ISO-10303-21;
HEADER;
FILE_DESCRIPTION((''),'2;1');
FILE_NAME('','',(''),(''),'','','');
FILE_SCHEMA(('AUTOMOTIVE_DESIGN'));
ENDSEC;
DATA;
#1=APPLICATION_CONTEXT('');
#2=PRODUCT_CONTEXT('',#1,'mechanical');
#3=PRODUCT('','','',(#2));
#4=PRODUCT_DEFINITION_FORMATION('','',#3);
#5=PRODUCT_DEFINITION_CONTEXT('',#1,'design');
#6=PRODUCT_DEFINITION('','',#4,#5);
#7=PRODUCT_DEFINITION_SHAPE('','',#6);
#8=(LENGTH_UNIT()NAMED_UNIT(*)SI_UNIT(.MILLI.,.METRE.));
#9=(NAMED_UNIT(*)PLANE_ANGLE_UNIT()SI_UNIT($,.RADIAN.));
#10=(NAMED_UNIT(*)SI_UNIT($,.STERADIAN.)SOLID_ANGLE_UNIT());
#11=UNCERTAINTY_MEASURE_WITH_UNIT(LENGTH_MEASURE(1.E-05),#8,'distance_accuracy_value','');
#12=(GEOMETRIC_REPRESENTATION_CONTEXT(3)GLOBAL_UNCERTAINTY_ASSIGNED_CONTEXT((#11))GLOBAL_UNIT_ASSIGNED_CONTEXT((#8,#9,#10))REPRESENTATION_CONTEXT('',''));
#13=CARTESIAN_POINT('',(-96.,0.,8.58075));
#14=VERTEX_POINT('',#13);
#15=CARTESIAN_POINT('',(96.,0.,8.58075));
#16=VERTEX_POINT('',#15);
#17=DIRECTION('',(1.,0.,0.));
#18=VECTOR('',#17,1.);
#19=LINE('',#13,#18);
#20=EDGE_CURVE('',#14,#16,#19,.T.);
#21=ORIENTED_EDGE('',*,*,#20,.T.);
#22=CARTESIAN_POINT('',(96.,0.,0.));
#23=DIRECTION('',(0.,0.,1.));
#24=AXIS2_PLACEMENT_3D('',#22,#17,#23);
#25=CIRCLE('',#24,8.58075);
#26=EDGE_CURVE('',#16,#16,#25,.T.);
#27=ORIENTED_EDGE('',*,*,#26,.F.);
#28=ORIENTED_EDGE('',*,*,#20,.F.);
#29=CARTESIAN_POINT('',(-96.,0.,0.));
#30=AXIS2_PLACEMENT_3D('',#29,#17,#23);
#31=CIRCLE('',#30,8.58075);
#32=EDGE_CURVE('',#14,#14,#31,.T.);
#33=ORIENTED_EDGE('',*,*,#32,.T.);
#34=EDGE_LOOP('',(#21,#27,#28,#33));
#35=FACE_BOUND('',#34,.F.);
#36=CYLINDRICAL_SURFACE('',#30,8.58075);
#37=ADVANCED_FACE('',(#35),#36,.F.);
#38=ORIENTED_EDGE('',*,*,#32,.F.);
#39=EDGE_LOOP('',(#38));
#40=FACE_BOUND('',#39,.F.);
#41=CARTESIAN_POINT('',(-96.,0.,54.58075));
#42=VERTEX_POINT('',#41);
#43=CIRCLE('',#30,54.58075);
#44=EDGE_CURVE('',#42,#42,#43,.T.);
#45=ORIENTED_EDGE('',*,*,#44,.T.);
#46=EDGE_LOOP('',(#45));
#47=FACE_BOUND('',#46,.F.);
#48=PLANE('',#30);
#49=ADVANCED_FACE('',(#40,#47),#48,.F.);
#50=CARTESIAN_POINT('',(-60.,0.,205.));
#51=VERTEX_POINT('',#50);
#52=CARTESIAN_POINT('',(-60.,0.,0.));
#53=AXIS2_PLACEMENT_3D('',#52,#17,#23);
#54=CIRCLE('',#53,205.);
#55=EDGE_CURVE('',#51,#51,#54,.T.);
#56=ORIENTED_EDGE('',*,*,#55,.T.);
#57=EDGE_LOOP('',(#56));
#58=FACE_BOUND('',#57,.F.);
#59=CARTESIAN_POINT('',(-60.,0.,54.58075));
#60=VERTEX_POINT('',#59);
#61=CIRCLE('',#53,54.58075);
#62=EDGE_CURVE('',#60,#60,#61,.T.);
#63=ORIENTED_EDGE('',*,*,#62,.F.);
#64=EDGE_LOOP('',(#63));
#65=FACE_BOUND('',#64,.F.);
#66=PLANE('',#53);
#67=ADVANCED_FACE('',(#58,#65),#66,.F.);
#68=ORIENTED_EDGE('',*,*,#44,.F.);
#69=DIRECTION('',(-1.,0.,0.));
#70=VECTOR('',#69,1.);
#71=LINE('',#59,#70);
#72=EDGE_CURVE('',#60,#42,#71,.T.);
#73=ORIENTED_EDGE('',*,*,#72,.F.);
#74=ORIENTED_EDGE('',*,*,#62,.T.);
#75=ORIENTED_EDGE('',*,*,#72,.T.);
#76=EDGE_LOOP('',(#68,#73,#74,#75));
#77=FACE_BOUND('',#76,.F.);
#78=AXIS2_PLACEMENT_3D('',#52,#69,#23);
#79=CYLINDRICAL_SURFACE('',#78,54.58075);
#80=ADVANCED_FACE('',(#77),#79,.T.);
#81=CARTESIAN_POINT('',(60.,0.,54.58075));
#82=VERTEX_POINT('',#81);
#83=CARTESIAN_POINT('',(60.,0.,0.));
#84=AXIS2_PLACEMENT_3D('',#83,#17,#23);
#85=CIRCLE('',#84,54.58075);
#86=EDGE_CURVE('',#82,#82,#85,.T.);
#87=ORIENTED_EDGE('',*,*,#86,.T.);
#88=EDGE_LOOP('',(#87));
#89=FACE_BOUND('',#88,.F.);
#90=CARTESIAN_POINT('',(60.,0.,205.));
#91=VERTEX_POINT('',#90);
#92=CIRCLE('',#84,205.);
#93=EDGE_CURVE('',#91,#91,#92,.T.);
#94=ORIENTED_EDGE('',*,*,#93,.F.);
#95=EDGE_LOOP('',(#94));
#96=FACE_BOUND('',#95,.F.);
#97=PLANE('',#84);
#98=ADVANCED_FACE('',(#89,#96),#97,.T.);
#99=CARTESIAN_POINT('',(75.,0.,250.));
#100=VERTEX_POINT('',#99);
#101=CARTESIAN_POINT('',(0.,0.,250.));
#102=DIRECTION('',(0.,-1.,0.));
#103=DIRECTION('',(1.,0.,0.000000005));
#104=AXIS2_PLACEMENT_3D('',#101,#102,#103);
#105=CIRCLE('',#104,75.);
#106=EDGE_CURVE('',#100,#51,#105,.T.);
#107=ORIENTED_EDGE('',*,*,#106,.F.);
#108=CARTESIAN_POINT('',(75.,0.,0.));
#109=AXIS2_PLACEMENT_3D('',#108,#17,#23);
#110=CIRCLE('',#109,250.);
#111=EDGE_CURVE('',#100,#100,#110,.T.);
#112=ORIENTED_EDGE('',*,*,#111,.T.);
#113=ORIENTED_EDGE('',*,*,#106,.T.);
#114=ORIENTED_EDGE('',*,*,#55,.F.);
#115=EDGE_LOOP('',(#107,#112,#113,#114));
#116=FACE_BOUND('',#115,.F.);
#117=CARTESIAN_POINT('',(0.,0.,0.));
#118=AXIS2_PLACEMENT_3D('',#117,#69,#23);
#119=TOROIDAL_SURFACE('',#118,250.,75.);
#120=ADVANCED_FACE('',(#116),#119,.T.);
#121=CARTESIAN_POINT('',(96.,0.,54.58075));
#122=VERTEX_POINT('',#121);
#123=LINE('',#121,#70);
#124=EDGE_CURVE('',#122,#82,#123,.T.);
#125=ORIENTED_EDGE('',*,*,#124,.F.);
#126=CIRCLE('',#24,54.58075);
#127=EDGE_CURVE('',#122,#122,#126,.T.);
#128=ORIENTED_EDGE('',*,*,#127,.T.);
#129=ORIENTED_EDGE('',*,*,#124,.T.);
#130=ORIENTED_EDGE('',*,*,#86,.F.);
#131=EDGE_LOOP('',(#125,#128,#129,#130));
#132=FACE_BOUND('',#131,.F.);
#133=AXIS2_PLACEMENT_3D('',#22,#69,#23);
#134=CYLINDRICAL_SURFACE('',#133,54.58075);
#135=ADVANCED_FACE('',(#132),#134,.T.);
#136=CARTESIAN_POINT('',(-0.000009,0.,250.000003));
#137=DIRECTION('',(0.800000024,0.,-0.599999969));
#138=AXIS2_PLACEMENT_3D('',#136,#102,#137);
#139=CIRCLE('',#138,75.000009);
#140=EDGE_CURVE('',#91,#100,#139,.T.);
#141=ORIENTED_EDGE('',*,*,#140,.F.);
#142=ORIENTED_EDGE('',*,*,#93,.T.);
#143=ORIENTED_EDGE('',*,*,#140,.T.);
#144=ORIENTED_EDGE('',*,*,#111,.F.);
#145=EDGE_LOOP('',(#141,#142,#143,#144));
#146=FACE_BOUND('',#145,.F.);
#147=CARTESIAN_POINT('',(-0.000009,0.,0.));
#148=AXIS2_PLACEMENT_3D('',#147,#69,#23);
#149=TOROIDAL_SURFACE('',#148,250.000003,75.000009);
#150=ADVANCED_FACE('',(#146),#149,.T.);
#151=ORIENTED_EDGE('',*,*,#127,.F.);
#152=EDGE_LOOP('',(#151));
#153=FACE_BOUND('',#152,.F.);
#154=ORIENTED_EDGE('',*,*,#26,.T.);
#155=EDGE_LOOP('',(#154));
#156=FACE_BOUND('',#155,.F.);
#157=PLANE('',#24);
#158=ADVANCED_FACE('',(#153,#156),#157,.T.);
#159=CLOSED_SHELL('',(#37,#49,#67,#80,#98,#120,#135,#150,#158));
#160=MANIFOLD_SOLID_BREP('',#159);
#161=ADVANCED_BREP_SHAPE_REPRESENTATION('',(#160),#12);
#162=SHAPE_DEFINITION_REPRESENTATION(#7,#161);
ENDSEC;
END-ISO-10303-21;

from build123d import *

# Parameters (mm, degrees)
F3_DEPTH = 25


with BuildPart() as f1:
    # F0 (on Front) → F1 (revolve)
    with BuildSketch(Plane.XZ):
        with BuildLine():
            Line((-96, 54.58075), (-96, 8.58075))
            Line((-96, 8.58075), (96, 8.58075))
            Line((96, 8.58075), (96, 54.58075))
            Line((96, 54.58075), (60, 54.58075))
            Line((60, 54.58075), (60, 205))
            ThreePointArc((60, 205), (0, 175), (-60, 205))
            Line((-60, 205), (-60, 54.58075))
            Line((-60, 54.58075), (-96, 54.58075))
        make_face()
        with BuildLine():
            ThreePointArc((75, 250), (-23.717082, 321.151247), (-60, 205))
            ThreePointArc((-60, 205), (0, 175), (60, 205))
            ThreePointArc((60, 205), (71.151247, 226.282918), (75, 250))
        make_face()
    revolve(axis=Axis((0, 0, 0), (1, 0, 0)))

    # F2 (on face) → F3 (join)
    with BuildSketch(Plane(origin=(-60, 0, 0), x_dir=(0, -1, 0), z_dir=(-1, 0, 0))):
        with BuildLine():
            ThreePointArc((-54.100605, 185.262313), (-60.432679, 179.731135), (-60.307153, 171.324392))
            Line((-60.307153, 171.324392), (-12.55207, 72.159939))
            ThreePointArc((-12.55207, 72.159939), (-8.665392, 67.910717), (-3.079813, 66.509481))
            ThreePointArc((-3.079813, 66.509481), (0, 66.58075), (3.079813, 66.509481))
            ThreePointArc((3.079813, 66.509481), (8.665392, 67.910717), (12.55207, 72.159939))
            Line((12.55207, 72.159939), (60.307153, 171.324392))
            ThreePointArc((60.307153, 171.324392), (60.432679, 179.731135), (54.100605, 185.262313))
            ThreePointArc((54.100605, 185.262313), (0, 193), (-54.100605, 185.262313))
        make_face()
    extrude(amount=-F3_DEPTH)


solid = f1.part
